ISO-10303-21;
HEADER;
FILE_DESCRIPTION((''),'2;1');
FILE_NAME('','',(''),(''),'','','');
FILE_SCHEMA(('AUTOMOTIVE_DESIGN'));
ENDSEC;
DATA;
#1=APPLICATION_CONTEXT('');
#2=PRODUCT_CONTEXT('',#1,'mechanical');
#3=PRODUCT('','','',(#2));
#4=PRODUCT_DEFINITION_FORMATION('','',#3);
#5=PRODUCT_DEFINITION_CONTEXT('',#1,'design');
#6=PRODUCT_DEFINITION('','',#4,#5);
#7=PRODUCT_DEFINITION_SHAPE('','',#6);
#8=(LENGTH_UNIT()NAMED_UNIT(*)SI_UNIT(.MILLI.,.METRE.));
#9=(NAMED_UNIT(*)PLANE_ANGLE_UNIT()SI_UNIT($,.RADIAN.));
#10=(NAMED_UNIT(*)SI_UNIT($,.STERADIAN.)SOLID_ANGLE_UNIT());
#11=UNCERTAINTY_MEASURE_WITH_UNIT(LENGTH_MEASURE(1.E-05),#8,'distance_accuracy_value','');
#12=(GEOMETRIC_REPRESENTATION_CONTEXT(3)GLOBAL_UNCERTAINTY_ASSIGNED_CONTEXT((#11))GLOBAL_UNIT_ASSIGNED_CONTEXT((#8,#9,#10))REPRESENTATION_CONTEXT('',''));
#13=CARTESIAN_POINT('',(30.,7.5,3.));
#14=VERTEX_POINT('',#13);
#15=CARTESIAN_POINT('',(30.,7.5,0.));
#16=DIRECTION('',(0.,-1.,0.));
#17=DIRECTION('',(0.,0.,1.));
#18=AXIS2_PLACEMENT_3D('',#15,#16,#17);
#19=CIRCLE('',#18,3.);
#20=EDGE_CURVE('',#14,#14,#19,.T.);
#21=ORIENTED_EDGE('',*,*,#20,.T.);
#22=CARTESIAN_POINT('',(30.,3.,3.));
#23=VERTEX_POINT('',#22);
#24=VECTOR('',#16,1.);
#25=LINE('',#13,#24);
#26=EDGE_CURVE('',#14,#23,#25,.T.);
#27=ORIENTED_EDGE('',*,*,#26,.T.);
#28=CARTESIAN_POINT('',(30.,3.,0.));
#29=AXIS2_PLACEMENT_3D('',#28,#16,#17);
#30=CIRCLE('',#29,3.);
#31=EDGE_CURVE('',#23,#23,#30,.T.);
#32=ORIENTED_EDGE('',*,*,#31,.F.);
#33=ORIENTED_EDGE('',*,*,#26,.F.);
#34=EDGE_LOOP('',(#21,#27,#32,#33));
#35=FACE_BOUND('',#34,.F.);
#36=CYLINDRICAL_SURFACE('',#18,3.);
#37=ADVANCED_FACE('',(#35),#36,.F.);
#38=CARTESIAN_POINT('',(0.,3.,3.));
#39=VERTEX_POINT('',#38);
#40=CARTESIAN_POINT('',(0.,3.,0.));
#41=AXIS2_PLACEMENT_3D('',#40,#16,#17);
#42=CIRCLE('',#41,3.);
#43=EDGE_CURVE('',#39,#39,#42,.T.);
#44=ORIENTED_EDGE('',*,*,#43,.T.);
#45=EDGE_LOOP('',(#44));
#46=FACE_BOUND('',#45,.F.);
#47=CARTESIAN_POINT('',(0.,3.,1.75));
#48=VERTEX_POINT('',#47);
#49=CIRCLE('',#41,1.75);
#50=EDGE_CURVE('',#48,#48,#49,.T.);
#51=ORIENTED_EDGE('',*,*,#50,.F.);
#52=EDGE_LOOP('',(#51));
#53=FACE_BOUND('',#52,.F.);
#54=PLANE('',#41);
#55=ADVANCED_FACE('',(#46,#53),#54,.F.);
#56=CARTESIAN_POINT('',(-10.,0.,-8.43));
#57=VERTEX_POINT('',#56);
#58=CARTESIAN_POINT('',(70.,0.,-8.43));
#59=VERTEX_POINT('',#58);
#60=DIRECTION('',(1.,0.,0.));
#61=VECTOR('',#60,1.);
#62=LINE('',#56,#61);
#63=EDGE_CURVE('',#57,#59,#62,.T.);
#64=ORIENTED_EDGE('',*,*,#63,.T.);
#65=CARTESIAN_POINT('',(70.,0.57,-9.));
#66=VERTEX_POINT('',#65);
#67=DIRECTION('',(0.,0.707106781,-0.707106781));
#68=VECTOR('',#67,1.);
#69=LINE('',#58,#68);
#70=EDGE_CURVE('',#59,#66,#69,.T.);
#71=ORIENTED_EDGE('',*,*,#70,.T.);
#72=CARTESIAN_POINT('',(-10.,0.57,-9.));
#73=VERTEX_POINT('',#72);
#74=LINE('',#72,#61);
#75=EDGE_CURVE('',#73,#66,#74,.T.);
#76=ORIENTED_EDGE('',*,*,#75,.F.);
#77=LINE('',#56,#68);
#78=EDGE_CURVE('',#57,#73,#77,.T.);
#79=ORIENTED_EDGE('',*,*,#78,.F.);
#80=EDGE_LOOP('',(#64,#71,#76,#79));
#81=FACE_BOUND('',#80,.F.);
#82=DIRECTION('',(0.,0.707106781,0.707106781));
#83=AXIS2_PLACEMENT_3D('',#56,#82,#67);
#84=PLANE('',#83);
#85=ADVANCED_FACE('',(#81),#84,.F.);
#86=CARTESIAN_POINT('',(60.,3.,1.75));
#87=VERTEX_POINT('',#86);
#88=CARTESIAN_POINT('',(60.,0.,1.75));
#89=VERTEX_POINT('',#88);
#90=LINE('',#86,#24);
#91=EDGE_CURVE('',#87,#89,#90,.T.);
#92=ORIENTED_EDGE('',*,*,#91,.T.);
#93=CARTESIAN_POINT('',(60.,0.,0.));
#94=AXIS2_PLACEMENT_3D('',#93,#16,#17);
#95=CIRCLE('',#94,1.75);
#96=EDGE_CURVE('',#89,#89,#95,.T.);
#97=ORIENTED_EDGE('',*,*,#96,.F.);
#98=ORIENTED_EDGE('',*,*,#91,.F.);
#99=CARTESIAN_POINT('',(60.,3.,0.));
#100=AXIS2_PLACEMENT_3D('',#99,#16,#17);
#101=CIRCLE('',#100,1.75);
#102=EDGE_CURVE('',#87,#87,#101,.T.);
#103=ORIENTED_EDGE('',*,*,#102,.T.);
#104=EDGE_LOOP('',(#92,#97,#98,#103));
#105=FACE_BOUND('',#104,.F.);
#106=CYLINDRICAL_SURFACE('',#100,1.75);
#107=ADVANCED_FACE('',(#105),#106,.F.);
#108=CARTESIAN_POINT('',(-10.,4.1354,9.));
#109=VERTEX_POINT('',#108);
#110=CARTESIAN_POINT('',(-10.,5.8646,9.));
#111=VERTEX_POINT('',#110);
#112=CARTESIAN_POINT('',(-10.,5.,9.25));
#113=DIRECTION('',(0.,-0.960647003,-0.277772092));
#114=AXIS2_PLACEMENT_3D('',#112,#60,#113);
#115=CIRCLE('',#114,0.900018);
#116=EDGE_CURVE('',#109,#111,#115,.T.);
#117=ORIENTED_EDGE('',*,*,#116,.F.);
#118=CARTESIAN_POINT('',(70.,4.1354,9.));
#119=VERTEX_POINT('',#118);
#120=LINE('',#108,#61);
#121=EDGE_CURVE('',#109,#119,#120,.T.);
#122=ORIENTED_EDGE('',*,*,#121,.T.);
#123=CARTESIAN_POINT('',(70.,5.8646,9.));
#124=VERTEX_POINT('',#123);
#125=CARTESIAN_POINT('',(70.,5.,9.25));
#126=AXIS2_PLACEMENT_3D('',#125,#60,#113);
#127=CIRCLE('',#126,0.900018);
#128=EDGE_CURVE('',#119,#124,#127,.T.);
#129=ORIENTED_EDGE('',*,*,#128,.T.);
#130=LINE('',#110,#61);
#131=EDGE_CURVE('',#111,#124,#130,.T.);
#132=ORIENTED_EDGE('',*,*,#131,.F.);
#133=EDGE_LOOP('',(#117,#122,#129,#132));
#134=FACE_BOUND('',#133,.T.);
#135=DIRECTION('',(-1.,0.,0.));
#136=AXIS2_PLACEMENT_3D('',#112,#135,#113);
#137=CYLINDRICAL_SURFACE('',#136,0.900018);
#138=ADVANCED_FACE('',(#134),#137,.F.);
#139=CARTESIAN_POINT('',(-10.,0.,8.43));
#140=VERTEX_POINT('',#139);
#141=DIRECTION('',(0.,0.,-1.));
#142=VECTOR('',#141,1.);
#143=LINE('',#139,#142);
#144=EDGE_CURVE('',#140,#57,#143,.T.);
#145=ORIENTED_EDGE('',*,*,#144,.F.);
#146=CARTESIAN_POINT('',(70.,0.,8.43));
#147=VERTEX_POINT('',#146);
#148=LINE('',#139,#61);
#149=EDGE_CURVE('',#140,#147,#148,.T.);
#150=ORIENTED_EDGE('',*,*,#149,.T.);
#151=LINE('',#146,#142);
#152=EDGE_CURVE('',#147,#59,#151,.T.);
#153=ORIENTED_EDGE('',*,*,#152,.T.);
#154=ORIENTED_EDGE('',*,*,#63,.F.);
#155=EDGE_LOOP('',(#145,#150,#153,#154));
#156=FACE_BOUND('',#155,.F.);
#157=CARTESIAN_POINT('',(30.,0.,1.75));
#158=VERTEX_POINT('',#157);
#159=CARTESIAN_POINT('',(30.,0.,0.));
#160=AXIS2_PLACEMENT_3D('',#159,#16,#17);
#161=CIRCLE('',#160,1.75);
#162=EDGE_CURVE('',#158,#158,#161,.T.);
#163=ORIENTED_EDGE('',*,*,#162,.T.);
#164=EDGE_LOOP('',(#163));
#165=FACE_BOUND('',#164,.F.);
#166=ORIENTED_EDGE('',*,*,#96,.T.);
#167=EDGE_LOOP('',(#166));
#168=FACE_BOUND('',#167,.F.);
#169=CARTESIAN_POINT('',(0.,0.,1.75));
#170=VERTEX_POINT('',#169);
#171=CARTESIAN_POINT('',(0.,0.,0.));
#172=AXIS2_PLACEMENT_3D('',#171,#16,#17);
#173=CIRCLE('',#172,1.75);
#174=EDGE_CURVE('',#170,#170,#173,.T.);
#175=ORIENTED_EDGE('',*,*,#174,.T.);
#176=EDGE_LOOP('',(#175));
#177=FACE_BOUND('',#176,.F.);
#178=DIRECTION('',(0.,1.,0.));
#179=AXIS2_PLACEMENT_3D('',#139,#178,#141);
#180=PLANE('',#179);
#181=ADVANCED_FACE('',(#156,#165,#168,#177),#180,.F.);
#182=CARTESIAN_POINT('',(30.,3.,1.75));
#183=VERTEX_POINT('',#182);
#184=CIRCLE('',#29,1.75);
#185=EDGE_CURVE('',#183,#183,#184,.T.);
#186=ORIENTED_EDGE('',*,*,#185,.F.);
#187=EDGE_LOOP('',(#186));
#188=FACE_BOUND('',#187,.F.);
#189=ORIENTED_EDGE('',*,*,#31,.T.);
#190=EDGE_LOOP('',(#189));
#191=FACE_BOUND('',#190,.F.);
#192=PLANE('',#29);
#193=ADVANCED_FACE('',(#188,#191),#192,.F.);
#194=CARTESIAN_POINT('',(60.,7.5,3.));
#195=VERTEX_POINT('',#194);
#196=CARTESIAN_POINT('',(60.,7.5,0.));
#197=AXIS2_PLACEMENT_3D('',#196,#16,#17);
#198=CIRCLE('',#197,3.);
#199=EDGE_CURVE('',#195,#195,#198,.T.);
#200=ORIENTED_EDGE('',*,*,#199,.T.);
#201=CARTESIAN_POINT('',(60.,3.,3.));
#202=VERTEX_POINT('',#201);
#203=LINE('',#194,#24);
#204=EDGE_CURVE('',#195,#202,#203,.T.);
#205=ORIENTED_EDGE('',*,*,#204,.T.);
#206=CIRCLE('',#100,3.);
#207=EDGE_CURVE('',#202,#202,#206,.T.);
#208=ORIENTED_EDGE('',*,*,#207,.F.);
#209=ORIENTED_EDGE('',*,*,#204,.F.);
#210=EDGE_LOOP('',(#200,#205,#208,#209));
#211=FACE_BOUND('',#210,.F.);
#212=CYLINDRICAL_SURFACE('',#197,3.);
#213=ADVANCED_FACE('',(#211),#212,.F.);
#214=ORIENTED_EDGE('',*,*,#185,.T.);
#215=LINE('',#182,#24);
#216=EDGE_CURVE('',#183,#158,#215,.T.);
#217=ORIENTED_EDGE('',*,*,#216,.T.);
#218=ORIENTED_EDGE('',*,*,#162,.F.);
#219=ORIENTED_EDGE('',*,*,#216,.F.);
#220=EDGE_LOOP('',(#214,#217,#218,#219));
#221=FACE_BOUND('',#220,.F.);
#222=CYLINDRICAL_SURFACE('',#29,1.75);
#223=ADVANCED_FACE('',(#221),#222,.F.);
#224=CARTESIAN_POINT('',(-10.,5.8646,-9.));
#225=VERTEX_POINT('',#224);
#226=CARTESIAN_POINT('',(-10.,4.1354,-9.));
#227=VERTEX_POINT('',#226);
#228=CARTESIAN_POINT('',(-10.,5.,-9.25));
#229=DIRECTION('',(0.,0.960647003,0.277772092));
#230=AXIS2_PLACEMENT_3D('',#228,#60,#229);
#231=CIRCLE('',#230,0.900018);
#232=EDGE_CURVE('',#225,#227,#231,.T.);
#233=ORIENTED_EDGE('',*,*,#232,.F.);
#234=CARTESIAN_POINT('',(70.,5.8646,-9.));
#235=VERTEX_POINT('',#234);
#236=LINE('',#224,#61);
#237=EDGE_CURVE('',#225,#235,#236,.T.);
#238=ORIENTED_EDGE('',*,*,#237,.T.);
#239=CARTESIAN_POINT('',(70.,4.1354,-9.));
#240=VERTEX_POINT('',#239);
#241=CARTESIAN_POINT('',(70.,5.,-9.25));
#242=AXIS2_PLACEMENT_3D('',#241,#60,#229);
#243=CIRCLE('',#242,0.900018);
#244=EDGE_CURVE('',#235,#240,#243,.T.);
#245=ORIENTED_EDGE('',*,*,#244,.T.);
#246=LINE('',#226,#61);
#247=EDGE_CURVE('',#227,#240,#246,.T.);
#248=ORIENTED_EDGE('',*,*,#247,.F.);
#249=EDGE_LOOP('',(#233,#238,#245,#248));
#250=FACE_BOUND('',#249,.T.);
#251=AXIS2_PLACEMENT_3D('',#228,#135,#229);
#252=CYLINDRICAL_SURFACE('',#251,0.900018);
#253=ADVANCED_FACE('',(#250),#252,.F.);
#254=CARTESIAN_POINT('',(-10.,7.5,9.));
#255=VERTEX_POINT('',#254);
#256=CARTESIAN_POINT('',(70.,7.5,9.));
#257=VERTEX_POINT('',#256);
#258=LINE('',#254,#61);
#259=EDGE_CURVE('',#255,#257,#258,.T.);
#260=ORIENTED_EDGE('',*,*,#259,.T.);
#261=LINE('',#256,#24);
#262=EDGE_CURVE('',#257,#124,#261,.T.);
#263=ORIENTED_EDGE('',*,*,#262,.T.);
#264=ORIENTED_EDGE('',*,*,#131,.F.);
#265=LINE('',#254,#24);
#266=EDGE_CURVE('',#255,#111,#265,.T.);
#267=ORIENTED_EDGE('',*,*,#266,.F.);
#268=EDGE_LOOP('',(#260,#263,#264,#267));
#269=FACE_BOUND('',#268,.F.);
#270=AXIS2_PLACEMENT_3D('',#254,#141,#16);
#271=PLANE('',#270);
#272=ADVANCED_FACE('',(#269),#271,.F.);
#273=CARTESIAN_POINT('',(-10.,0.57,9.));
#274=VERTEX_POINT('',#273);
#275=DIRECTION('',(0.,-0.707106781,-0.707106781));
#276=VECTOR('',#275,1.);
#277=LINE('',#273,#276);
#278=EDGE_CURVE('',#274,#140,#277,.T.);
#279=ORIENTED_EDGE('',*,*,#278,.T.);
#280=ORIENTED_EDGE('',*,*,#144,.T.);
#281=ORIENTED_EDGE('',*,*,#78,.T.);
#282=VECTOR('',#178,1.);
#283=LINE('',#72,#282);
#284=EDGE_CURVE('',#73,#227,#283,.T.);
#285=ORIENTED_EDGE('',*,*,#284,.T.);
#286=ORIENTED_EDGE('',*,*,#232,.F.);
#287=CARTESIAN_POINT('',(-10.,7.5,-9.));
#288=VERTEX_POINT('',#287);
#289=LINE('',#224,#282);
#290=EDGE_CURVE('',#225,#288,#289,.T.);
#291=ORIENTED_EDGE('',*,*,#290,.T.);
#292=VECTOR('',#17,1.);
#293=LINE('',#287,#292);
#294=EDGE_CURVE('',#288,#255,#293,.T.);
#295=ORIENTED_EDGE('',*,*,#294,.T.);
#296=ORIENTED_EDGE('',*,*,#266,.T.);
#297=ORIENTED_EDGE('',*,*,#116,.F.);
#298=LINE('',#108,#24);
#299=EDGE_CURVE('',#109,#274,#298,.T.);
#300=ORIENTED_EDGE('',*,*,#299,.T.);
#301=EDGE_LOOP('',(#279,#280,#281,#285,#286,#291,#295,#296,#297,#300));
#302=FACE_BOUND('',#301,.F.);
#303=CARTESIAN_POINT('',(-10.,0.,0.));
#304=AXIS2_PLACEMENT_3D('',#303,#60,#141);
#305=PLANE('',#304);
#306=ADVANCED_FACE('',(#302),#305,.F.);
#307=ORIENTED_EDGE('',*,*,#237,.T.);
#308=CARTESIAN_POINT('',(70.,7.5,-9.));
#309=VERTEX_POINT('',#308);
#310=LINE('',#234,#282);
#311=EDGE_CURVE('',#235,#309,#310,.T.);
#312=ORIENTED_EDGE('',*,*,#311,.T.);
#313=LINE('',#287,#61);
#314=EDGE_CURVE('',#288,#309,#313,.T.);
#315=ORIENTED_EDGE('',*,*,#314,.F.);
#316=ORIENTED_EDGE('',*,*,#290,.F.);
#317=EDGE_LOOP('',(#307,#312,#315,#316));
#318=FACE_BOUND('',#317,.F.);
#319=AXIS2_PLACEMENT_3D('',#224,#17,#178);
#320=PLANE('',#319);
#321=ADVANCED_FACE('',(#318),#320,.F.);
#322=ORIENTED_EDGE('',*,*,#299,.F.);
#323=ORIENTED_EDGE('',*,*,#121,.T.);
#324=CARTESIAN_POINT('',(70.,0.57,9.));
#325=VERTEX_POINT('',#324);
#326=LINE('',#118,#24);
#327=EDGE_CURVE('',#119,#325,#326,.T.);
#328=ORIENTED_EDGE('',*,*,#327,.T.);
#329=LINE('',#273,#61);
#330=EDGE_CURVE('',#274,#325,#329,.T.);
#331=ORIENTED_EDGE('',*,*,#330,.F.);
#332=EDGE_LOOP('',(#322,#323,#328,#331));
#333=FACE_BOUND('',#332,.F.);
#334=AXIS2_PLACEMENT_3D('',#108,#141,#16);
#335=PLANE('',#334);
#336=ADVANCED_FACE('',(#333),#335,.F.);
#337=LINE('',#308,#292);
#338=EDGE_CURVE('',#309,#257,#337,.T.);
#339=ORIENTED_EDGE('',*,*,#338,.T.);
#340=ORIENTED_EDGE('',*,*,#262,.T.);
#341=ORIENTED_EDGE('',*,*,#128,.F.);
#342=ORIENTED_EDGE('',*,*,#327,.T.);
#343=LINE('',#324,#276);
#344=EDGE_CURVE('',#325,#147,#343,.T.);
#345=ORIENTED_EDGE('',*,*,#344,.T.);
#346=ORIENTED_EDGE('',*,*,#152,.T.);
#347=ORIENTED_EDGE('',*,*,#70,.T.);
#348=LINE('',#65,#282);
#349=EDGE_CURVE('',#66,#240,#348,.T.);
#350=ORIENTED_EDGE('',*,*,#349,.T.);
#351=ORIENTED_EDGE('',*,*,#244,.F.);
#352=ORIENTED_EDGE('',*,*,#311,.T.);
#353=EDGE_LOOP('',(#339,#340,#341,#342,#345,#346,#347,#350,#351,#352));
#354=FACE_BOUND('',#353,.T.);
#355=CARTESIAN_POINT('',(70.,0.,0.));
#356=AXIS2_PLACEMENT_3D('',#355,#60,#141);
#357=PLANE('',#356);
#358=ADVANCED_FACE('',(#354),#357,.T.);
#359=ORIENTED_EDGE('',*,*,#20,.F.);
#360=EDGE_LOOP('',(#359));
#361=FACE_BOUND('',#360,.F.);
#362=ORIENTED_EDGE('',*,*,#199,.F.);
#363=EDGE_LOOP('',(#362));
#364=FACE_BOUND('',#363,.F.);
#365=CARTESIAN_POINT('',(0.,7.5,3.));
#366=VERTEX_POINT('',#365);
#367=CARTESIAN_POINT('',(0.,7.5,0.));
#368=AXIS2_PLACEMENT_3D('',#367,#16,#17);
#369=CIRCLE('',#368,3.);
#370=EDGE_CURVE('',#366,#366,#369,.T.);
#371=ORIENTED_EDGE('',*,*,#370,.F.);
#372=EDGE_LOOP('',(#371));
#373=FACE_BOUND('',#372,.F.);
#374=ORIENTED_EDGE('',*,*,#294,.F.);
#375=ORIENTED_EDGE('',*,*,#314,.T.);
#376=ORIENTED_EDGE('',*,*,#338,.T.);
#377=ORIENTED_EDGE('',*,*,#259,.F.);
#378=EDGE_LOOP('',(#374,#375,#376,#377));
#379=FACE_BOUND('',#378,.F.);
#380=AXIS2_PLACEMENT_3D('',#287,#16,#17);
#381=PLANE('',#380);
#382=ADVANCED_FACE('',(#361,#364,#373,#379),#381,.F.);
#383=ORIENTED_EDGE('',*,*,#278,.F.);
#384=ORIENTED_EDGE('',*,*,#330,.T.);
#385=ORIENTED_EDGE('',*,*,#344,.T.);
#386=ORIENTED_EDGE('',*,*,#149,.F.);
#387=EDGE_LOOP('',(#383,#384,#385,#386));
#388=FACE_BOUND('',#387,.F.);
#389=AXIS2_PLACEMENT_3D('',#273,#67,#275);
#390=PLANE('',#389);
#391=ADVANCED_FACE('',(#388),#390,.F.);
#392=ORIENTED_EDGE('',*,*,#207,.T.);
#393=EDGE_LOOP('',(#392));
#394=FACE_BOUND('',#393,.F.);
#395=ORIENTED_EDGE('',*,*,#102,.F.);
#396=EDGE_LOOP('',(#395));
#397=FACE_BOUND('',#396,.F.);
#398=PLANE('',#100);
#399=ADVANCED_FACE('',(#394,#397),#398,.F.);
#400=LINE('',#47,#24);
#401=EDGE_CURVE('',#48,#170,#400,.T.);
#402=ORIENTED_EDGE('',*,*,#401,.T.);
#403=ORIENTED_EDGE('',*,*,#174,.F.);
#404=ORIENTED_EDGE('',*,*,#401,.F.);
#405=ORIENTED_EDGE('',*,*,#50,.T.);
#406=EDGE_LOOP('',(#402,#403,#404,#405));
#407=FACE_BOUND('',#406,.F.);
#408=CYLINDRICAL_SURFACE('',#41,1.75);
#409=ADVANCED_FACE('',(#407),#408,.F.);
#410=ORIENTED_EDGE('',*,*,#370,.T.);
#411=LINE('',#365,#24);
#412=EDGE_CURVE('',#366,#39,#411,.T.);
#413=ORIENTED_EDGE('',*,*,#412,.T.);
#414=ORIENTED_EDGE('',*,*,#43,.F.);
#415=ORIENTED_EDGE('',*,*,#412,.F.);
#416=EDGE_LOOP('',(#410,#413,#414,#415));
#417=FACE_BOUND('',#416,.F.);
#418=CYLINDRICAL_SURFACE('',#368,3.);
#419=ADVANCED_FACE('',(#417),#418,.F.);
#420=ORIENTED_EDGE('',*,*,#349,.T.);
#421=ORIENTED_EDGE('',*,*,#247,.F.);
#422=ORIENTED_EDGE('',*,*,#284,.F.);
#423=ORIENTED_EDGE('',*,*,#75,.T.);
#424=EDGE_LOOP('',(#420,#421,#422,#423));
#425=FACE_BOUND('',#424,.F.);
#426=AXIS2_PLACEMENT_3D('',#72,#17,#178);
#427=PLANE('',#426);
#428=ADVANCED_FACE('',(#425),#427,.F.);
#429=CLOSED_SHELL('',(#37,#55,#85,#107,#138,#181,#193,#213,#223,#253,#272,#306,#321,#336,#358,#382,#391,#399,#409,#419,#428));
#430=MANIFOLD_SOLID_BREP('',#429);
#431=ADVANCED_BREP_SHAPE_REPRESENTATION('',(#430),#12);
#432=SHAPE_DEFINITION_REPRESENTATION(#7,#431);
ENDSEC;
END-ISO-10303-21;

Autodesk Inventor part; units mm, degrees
sketch "Sketch_1" plane through (-10, 0, 0) normal (1, 0, 0) x (0, 0, -1)
  arc A0 (-9, 4.1354) -> (-9, 5.8646) centre (-9.25, 5) ccw
  line L0 (-9, 4.1354) -> (-9, 0.57)
  line L1 (-9, 0.57) -> (-8.43, 0)
  line L2 (-8.43, 0) -> (8.43, 0)
  line L3 (8.43, 0) -> (9, 0.57)
  line L4 (9, 0.57) -> (9, 4.1354)
  arc A1 (9, 5.8646) -> (9, 4.1354) centre (9.25, 5) ccw
  line L5 (9, 5.8646) -> (9, 7.5)
  line L6 (9, 7.5) -> (-9, 7.5)
  line L7 (-9, 7.5) -> (-9, 5.8646)
extrude "Extrusion1" add sketch "Sketch_1" along normal blind 80
sketch "Sketch2" plane through (-10, 7.5, 9) normal (0, 1, 0) x (1, 0, 0)
  point P0 (10, 9)
hole "Hole1" at (0, 7.5, 0) direction (0, -1, 0) diameter 3.5 depth 7.5 counterbore diameter 6 counterbore depth 4.5
pattern_linear "Rectangular Pattern1" count 3 spacing 30 along (1, 0, 0) of "Hole1"
ref_plane "rail_XY" through (-10, 0, 0) normal (1, 0, 0) x (0, 0, -1)
ref_plane "rail_YZ" through (-10, 0, 0) normal (0, 0, -1) x (0, 1, 0)
ref_plane "rail_ZX" through (-10, 0, 0) normal (0, 1, 0) x (1, 0, 0)
properties part number "SEBS 9WA UU1T1-80P"
